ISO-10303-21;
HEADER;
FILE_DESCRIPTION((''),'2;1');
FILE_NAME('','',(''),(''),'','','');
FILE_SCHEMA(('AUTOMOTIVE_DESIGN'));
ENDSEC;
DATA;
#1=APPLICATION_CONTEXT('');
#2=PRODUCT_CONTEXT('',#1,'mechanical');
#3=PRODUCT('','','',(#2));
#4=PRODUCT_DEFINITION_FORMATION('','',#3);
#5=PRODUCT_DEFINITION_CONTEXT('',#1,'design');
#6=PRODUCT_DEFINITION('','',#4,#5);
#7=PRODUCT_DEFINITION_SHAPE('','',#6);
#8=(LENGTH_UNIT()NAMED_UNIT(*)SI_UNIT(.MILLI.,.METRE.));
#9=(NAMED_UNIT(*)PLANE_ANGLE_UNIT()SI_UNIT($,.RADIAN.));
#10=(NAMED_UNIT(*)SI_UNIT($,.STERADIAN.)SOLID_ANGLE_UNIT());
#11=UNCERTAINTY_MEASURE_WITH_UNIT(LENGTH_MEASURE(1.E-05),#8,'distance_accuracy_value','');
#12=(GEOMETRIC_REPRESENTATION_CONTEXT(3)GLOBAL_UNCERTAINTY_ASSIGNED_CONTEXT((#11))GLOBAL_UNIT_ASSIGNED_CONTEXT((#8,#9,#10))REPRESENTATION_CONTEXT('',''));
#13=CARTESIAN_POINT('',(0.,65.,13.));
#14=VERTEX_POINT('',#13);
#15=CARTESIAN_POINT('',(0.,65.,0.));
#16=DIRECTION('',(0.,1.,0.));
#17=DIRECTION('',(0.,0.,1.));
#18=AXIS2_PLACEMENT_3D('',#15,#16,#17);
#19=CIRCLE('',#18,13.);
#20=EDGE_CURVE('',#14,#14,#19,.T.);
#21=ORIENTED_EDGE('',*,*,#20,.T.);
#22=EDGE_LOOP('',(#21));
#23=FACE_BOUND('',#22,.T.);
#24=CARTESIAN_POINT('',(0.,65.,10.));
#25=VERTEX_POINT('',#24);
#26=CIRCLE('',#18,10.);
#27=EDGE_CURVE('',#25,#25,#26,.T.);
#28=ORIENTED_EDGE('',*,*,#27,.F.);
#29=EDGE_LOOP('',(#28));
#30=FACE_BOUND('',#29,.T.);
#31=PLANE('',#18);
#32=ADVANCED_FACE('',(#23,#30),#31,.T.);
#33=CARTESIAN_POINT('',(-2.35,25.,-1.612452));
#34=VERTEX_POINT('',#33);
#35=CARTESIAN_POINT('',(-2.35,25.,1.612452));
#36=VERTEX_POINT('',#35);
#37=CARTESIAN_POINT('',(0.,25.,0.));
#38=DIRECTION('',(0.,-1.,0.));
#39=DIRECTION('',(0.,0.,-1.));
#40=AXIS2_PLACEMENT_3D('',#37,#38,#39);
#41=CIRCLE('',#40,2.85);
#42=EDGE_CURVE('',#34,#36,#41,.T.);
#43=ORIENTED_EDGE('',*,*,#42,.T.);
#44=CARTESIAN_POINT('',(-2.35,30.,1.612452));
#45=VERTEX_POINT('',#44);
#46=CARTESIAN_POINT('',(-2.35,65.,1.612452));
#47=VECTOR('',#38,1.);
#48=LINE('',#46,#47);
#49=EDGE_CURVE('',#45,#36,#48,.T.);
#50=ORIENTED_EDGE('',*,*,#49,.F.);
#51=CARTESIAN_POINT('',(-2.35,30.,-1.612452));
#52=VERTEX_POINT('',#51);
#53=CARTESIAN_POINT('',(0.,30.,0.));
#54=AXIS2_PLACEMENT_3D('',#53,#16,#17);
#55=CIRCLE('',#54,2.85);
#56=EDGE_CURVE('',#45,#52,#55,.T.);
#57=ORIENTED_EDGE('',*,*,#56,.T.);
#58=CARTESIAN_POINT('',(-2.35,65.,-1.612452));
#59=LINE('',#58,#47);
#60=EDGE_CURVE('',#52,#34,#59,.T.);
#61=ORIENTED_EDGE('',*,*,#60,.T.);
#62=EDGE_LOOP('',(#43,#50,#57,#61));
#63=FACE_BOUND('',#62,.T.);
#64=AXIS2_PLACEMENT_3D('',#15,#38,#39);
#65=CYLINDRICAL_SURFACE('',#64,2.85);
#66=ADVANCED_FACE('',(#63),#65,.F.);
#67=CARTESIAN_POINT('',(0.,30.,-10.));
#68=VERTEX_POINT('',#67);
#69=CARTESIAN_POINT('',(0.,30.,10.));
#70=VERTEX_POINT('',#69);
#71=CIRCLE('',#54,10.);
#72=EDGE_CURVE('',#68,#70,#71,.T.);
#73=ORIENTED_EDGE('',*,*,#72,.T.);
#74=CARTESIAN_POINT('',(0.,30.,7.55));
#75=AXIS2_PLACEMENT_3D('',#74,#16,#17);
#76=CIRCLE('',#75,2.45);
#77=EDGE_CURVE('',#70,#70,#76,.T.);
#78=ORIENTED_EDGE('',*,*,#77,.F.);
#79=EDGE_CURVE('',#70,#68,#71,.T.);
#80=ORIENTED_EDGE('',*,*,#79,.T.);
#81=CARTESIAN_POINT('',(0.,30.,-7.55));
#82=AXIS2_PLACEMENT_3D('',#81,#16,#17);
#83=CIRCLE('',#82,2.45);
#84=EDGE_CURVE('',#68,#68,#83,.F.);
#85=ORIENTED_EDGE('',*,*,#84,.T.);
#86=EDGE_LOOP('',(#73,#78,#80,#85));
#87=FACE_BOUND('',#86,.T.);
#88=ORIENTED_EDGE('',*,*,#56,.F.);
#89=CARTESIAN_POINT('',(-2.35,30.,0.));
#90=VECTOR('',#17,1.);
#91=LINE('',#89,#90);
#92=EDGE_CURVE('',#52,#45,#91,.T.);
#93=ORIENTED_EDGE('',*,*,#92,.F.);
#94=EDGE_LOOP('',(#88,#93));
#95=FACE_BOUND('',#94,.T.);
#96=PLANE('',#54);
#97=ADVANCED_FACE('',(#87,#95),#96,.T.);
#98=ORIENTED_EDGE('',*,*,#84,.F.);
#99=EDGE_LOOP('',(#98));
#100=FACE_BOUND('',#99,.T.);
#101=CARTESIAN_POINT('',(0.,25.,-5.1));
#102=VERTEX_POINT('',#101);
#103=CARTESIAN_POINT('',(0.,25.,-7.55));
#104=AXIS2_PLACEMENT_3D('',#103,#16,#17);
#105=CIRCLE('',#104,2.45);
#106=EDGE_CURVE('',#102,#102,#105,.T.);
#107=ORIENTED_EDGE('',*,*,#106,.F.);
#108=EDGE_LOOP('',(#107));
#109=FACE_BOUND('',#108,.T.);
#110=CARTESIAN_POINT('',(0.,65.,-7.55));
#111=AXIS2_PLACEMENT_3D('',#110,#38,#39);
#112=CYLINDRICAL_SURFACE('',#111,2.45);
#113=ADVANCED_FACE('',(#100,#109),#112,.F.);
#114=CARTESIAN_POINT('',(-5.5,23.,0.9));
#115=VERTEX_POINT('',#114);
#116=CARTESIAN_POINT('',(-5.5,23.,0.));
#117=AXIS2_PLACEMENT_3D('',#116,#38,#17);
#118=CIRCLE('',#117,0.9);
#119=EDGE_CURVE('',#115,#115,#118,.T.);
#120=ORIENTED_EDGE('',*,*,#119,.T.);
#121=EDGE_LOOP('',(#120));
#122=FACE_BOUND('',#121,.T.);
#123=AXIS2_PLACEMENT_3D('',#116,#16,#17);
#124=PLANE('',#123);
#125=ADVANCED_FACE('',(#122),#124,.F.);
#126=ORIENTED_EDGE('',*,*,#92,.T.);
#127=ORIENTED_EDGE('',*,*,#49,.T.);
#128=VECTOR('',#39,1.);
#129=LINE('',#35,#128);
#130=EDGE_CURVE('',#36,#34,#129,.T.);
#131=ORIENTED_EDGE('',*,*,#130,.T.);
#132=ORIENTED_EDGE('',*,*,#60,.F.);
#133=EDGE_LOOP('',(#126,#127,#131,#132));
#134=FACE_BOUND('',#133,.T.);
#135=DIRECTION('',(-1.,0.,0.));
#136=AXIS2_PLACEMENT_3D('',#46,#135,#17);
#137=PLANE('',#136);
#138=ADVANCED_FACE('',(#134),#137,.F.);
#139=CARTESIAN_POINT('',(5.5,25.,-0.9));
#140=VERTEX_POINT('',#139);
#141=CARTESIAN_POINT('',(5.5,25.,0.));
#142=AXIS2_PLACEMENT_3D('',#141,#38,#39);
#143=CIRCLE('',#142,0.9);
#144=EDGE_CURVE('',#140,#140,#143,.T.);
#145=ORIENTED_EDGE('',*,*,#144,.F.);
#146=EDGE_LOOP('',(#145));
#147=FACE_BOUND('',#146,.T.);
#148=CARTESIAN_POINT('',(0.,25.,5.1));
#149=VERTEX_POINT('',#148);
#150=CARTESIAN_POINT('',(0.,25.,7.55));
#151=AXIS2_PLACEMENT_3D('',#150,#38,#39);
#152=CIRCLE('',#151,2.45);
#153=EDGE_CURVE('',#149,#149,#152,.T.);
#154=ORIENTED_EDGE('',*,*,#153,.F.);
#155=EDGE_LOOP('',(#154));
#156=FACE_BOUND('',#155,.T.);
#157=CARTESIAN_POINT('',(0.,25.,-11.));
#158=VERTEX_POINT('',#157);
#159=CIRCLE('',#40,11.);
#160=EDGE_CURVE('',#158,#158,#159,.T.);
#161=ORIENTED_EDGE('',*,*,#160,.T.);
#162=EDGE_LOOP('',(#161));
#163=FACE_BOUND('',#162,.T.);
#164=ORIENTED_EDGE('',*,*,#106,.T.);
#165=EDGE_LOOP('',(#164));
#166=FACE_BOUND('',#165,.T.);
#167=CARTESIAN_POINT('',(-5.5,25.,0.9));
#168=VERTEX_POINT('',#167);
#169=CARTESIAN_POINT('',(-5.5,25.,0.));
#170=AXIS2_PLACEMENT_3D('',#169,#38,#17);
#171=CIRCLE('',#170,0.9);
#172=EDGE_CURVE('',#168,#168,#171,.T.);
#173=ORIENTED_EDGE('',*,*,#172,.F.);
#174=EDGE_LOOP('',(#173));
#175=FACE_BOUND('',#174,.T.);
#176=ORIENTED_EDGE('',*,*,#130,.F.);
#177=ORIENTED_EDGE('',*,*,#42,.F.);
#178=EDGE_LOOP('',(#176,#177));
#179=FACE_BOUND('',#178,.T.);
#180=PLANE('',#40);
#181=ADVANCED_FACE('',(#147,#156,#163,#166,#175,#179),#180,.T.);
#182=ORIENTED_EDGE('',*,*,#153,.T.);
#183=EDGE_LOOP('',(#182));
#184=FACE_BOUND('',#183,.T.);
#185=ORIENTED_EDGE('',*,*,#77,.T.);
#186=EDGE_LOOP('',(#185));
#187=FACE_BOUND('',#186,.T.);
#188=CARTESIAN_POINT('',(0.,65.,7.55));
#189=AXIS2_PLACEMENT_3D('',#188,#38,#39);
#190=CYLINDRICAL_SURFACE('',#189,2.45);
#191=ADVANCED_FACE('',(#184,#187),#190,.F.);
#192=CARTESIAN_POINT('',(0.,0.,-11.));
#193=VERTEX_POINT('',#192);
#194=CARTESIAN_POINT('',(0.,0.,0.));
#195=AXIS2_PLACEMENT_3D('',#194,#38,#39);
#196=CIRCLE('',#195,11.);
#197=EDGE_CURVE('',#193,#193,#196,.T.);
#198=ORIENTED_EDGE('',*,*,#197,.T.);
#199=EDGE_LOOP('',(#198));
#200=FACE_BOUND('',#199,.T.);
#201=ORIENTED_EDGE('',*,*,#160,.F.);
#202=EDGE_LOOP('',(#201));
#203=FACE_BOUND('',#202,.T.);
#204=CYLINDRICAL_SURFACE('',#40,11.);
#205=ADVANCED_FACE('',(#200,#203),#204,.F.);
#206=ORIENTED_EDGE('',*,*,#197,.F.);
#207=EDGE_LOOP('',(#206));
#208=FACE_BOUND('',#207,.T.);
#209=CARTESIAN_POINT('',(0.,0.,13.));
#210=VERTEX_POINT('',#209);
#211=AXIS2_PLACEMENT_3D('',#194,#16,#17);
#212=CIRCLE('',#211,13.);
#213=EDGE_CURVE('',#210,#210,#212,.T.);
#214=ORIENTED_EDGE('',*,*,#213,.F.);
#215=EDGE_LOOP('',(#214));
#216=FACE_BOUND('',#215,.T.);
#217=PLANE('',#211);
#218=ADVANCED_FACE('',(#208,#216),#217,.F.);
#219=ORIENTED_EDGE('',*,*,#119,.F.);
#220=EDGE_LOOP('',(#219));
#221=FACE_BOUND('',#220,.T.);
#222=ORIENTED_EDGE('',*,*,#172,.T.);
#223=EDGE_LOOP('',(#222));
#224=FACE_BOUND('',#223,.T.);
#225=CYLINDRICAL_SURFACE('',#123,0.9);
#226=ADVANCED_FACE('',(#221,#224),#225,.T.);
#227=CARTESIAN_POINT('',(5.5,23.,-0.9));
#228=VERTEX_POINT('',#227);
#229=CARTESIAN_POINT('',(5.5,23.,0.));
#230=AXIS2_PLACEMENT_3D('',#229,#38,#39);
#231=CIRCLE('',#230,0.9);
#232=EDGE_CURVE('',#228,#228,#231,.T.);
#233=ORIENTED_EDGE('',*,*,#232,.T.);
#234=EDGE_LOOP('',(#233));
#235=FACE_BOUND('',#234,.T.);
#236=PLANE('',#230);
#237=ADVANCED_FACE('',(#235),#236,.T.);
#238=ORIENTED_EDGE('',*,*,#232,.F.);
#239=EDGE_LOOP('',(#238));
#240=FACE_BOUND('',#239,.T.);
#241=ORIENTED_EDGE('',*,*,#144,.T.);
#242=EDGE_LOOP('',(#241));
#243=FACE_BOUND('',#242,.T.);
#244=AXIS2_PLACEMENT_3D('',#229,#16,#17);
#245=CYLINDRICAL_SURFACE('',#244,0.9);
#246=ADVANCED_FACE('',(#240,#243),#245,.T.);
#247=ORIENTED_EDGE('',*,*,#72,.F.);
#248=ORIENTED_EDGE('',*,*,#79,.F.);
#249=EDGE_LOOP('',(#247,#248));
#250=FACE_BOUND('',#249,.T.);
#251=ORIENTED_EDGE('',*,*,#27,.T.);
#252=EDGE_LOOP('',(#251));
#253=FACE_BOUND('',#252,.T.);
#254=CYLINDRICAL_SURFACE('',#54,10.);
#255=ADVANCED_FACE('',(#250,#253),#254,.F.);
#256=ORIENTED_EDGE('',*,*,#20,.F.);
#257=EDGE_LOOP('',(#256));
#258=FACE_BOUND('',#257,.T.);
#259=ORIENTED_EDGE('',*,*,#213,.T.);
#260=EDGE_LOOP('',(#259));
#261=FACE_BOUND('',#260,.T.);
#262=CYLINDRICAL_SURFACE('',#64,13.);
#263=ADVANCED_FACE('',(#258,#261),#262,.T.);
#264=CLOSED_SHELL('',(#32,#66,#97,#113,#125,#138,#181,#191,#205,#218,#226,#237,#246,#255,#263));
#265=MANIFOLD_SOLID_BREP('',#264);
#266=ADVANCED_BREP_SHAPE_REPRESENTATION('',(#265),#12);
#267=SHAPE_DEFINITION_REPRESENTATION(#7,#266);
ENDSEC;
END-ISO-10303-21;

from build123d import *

# Parameters (mm, degrees)
BUITENCIRKEL_R                    = 13
CILINDER_BASIS_DEPTH              = 65
BINNENCIRKEL_MOTOR_R              = 11
HOLTE_MOTOR_DEPTH                 = 25
BINNENCIRKEL_BUIS_R               = 10
HOLTE_BUIS_DEPTH                  = 35
UITSPARING_MOTORAS_DEPTH          = 45.022721406
CIRKEL_MOTORPINNETJES_R           = 0.9
UITSPARINGEN_MOTORPINNETJES_DEPTH = 2
CIRKEL_POLEN_R                    = 2.45
UITSPARINGEN_MOTORPOLEN_DEPTH     = 45.022721406


with BuildPart() as part:
    # Buitencirkel → Cilinder basis (new body)
    with BuildSketch(Plane(origin=(0, 0, 0), x_dir=(1, 0, 0), z_dir=(0, 1, 0))):
        with Locations(Location((0, 0, 0), (0, 0, 270))):
            Circle(BUITENCIRKEL_R)
    extrude(amount=CILINDER_BASIS_DEPTH)

    # Binnencirkel motor → Holte motor (cut)
    with BuildSketch(Plane(origin=(0, 0, 0), x_dir=(-1, 0, 0), z_dir=(0, -1, 0))):
        with Locations(Location((0, 0, 0), (0, 0, 90))):
            Circle(BINNENCIRKEL_MOTOR_R)
    extrude(amount=-HOLTE_MOTOR_DEPTH, mode=Mode.SUBTRACT)

    # Binnencirkel buis → Holte buis (cut)
    with BuildSketch(Plane(origin=(0, 65, 0), x_dir=(1, 0, 0), z_dir=(0, 1, 0))):
        with Locations(Location((0, 0, 0), (0, 0, 270))):
            Circle(BINNENCIRKEL_BUIS_R)
    extrude(amount=-HOLTE_BUIS_DEPTH, mode=Mode.SUBTRACT)

    # Cirkel motoras → Uitsparing motoras (cut, through all)
    with BuildSketch(Plane(origin=(0, 25, 0), x_dir=(-1, 0, 0), z_dir=(0, -1, 0))):
        with BuildLine():
            Line((2.35, -1.61245155), (2.35, 1.61245155))
            ThreePointArc((2.35, 1.61245155), (-2.85, 0), (2.35, -1.61245155))
        make_face()
    extrude(amount=-UITSPARING_MOTORAS_DEPTH, mode=Mode.SUBTRACT)

    # Cirkel motorpinnetjes → Uitsparingen motorpinnetjes (add)
    with BuildSketch(Plane(origin=(0, 25, 0), x_dir=(-1, 0, 0), z_dir=(0, -1, 0))):
        with Locations(Location((-5.5, 0, 0), (0, 0, 90))):
            Circle(CIRKEL_MOTORPINNETJES_R)
        with Locations(Location((5.5, 0, 0), (0, 0, 270))):
            Circle(CIRKEL_MOTORPINNETJES_R)
    extrude(amount=UITSPARINGEN_MOTORPINNETJES_DEPTH)

    # Cirkel polen → Uitsparingen motorpolen (cut, through all)
    with BuildSketch(Plane(origin=(0, 25, 0), x_dir=(-1, 0, 0), z_dir=(0, -1, 0))):
        with Locations(Location((0, -7.55, 0), (0, 0, 90))):
            Circle(CIRKEL_POLEN_R)
        with Locations(Location((0, 7.55, 0), (0, 0, 89.999404226))):
            Circle(CIRKEL_POLEN_R)
    extrude(amount=-UITSPARINGEN_MOTORPOLEN_DEPTH, mode=Mode.SUBTRACT)


solid = part.part
